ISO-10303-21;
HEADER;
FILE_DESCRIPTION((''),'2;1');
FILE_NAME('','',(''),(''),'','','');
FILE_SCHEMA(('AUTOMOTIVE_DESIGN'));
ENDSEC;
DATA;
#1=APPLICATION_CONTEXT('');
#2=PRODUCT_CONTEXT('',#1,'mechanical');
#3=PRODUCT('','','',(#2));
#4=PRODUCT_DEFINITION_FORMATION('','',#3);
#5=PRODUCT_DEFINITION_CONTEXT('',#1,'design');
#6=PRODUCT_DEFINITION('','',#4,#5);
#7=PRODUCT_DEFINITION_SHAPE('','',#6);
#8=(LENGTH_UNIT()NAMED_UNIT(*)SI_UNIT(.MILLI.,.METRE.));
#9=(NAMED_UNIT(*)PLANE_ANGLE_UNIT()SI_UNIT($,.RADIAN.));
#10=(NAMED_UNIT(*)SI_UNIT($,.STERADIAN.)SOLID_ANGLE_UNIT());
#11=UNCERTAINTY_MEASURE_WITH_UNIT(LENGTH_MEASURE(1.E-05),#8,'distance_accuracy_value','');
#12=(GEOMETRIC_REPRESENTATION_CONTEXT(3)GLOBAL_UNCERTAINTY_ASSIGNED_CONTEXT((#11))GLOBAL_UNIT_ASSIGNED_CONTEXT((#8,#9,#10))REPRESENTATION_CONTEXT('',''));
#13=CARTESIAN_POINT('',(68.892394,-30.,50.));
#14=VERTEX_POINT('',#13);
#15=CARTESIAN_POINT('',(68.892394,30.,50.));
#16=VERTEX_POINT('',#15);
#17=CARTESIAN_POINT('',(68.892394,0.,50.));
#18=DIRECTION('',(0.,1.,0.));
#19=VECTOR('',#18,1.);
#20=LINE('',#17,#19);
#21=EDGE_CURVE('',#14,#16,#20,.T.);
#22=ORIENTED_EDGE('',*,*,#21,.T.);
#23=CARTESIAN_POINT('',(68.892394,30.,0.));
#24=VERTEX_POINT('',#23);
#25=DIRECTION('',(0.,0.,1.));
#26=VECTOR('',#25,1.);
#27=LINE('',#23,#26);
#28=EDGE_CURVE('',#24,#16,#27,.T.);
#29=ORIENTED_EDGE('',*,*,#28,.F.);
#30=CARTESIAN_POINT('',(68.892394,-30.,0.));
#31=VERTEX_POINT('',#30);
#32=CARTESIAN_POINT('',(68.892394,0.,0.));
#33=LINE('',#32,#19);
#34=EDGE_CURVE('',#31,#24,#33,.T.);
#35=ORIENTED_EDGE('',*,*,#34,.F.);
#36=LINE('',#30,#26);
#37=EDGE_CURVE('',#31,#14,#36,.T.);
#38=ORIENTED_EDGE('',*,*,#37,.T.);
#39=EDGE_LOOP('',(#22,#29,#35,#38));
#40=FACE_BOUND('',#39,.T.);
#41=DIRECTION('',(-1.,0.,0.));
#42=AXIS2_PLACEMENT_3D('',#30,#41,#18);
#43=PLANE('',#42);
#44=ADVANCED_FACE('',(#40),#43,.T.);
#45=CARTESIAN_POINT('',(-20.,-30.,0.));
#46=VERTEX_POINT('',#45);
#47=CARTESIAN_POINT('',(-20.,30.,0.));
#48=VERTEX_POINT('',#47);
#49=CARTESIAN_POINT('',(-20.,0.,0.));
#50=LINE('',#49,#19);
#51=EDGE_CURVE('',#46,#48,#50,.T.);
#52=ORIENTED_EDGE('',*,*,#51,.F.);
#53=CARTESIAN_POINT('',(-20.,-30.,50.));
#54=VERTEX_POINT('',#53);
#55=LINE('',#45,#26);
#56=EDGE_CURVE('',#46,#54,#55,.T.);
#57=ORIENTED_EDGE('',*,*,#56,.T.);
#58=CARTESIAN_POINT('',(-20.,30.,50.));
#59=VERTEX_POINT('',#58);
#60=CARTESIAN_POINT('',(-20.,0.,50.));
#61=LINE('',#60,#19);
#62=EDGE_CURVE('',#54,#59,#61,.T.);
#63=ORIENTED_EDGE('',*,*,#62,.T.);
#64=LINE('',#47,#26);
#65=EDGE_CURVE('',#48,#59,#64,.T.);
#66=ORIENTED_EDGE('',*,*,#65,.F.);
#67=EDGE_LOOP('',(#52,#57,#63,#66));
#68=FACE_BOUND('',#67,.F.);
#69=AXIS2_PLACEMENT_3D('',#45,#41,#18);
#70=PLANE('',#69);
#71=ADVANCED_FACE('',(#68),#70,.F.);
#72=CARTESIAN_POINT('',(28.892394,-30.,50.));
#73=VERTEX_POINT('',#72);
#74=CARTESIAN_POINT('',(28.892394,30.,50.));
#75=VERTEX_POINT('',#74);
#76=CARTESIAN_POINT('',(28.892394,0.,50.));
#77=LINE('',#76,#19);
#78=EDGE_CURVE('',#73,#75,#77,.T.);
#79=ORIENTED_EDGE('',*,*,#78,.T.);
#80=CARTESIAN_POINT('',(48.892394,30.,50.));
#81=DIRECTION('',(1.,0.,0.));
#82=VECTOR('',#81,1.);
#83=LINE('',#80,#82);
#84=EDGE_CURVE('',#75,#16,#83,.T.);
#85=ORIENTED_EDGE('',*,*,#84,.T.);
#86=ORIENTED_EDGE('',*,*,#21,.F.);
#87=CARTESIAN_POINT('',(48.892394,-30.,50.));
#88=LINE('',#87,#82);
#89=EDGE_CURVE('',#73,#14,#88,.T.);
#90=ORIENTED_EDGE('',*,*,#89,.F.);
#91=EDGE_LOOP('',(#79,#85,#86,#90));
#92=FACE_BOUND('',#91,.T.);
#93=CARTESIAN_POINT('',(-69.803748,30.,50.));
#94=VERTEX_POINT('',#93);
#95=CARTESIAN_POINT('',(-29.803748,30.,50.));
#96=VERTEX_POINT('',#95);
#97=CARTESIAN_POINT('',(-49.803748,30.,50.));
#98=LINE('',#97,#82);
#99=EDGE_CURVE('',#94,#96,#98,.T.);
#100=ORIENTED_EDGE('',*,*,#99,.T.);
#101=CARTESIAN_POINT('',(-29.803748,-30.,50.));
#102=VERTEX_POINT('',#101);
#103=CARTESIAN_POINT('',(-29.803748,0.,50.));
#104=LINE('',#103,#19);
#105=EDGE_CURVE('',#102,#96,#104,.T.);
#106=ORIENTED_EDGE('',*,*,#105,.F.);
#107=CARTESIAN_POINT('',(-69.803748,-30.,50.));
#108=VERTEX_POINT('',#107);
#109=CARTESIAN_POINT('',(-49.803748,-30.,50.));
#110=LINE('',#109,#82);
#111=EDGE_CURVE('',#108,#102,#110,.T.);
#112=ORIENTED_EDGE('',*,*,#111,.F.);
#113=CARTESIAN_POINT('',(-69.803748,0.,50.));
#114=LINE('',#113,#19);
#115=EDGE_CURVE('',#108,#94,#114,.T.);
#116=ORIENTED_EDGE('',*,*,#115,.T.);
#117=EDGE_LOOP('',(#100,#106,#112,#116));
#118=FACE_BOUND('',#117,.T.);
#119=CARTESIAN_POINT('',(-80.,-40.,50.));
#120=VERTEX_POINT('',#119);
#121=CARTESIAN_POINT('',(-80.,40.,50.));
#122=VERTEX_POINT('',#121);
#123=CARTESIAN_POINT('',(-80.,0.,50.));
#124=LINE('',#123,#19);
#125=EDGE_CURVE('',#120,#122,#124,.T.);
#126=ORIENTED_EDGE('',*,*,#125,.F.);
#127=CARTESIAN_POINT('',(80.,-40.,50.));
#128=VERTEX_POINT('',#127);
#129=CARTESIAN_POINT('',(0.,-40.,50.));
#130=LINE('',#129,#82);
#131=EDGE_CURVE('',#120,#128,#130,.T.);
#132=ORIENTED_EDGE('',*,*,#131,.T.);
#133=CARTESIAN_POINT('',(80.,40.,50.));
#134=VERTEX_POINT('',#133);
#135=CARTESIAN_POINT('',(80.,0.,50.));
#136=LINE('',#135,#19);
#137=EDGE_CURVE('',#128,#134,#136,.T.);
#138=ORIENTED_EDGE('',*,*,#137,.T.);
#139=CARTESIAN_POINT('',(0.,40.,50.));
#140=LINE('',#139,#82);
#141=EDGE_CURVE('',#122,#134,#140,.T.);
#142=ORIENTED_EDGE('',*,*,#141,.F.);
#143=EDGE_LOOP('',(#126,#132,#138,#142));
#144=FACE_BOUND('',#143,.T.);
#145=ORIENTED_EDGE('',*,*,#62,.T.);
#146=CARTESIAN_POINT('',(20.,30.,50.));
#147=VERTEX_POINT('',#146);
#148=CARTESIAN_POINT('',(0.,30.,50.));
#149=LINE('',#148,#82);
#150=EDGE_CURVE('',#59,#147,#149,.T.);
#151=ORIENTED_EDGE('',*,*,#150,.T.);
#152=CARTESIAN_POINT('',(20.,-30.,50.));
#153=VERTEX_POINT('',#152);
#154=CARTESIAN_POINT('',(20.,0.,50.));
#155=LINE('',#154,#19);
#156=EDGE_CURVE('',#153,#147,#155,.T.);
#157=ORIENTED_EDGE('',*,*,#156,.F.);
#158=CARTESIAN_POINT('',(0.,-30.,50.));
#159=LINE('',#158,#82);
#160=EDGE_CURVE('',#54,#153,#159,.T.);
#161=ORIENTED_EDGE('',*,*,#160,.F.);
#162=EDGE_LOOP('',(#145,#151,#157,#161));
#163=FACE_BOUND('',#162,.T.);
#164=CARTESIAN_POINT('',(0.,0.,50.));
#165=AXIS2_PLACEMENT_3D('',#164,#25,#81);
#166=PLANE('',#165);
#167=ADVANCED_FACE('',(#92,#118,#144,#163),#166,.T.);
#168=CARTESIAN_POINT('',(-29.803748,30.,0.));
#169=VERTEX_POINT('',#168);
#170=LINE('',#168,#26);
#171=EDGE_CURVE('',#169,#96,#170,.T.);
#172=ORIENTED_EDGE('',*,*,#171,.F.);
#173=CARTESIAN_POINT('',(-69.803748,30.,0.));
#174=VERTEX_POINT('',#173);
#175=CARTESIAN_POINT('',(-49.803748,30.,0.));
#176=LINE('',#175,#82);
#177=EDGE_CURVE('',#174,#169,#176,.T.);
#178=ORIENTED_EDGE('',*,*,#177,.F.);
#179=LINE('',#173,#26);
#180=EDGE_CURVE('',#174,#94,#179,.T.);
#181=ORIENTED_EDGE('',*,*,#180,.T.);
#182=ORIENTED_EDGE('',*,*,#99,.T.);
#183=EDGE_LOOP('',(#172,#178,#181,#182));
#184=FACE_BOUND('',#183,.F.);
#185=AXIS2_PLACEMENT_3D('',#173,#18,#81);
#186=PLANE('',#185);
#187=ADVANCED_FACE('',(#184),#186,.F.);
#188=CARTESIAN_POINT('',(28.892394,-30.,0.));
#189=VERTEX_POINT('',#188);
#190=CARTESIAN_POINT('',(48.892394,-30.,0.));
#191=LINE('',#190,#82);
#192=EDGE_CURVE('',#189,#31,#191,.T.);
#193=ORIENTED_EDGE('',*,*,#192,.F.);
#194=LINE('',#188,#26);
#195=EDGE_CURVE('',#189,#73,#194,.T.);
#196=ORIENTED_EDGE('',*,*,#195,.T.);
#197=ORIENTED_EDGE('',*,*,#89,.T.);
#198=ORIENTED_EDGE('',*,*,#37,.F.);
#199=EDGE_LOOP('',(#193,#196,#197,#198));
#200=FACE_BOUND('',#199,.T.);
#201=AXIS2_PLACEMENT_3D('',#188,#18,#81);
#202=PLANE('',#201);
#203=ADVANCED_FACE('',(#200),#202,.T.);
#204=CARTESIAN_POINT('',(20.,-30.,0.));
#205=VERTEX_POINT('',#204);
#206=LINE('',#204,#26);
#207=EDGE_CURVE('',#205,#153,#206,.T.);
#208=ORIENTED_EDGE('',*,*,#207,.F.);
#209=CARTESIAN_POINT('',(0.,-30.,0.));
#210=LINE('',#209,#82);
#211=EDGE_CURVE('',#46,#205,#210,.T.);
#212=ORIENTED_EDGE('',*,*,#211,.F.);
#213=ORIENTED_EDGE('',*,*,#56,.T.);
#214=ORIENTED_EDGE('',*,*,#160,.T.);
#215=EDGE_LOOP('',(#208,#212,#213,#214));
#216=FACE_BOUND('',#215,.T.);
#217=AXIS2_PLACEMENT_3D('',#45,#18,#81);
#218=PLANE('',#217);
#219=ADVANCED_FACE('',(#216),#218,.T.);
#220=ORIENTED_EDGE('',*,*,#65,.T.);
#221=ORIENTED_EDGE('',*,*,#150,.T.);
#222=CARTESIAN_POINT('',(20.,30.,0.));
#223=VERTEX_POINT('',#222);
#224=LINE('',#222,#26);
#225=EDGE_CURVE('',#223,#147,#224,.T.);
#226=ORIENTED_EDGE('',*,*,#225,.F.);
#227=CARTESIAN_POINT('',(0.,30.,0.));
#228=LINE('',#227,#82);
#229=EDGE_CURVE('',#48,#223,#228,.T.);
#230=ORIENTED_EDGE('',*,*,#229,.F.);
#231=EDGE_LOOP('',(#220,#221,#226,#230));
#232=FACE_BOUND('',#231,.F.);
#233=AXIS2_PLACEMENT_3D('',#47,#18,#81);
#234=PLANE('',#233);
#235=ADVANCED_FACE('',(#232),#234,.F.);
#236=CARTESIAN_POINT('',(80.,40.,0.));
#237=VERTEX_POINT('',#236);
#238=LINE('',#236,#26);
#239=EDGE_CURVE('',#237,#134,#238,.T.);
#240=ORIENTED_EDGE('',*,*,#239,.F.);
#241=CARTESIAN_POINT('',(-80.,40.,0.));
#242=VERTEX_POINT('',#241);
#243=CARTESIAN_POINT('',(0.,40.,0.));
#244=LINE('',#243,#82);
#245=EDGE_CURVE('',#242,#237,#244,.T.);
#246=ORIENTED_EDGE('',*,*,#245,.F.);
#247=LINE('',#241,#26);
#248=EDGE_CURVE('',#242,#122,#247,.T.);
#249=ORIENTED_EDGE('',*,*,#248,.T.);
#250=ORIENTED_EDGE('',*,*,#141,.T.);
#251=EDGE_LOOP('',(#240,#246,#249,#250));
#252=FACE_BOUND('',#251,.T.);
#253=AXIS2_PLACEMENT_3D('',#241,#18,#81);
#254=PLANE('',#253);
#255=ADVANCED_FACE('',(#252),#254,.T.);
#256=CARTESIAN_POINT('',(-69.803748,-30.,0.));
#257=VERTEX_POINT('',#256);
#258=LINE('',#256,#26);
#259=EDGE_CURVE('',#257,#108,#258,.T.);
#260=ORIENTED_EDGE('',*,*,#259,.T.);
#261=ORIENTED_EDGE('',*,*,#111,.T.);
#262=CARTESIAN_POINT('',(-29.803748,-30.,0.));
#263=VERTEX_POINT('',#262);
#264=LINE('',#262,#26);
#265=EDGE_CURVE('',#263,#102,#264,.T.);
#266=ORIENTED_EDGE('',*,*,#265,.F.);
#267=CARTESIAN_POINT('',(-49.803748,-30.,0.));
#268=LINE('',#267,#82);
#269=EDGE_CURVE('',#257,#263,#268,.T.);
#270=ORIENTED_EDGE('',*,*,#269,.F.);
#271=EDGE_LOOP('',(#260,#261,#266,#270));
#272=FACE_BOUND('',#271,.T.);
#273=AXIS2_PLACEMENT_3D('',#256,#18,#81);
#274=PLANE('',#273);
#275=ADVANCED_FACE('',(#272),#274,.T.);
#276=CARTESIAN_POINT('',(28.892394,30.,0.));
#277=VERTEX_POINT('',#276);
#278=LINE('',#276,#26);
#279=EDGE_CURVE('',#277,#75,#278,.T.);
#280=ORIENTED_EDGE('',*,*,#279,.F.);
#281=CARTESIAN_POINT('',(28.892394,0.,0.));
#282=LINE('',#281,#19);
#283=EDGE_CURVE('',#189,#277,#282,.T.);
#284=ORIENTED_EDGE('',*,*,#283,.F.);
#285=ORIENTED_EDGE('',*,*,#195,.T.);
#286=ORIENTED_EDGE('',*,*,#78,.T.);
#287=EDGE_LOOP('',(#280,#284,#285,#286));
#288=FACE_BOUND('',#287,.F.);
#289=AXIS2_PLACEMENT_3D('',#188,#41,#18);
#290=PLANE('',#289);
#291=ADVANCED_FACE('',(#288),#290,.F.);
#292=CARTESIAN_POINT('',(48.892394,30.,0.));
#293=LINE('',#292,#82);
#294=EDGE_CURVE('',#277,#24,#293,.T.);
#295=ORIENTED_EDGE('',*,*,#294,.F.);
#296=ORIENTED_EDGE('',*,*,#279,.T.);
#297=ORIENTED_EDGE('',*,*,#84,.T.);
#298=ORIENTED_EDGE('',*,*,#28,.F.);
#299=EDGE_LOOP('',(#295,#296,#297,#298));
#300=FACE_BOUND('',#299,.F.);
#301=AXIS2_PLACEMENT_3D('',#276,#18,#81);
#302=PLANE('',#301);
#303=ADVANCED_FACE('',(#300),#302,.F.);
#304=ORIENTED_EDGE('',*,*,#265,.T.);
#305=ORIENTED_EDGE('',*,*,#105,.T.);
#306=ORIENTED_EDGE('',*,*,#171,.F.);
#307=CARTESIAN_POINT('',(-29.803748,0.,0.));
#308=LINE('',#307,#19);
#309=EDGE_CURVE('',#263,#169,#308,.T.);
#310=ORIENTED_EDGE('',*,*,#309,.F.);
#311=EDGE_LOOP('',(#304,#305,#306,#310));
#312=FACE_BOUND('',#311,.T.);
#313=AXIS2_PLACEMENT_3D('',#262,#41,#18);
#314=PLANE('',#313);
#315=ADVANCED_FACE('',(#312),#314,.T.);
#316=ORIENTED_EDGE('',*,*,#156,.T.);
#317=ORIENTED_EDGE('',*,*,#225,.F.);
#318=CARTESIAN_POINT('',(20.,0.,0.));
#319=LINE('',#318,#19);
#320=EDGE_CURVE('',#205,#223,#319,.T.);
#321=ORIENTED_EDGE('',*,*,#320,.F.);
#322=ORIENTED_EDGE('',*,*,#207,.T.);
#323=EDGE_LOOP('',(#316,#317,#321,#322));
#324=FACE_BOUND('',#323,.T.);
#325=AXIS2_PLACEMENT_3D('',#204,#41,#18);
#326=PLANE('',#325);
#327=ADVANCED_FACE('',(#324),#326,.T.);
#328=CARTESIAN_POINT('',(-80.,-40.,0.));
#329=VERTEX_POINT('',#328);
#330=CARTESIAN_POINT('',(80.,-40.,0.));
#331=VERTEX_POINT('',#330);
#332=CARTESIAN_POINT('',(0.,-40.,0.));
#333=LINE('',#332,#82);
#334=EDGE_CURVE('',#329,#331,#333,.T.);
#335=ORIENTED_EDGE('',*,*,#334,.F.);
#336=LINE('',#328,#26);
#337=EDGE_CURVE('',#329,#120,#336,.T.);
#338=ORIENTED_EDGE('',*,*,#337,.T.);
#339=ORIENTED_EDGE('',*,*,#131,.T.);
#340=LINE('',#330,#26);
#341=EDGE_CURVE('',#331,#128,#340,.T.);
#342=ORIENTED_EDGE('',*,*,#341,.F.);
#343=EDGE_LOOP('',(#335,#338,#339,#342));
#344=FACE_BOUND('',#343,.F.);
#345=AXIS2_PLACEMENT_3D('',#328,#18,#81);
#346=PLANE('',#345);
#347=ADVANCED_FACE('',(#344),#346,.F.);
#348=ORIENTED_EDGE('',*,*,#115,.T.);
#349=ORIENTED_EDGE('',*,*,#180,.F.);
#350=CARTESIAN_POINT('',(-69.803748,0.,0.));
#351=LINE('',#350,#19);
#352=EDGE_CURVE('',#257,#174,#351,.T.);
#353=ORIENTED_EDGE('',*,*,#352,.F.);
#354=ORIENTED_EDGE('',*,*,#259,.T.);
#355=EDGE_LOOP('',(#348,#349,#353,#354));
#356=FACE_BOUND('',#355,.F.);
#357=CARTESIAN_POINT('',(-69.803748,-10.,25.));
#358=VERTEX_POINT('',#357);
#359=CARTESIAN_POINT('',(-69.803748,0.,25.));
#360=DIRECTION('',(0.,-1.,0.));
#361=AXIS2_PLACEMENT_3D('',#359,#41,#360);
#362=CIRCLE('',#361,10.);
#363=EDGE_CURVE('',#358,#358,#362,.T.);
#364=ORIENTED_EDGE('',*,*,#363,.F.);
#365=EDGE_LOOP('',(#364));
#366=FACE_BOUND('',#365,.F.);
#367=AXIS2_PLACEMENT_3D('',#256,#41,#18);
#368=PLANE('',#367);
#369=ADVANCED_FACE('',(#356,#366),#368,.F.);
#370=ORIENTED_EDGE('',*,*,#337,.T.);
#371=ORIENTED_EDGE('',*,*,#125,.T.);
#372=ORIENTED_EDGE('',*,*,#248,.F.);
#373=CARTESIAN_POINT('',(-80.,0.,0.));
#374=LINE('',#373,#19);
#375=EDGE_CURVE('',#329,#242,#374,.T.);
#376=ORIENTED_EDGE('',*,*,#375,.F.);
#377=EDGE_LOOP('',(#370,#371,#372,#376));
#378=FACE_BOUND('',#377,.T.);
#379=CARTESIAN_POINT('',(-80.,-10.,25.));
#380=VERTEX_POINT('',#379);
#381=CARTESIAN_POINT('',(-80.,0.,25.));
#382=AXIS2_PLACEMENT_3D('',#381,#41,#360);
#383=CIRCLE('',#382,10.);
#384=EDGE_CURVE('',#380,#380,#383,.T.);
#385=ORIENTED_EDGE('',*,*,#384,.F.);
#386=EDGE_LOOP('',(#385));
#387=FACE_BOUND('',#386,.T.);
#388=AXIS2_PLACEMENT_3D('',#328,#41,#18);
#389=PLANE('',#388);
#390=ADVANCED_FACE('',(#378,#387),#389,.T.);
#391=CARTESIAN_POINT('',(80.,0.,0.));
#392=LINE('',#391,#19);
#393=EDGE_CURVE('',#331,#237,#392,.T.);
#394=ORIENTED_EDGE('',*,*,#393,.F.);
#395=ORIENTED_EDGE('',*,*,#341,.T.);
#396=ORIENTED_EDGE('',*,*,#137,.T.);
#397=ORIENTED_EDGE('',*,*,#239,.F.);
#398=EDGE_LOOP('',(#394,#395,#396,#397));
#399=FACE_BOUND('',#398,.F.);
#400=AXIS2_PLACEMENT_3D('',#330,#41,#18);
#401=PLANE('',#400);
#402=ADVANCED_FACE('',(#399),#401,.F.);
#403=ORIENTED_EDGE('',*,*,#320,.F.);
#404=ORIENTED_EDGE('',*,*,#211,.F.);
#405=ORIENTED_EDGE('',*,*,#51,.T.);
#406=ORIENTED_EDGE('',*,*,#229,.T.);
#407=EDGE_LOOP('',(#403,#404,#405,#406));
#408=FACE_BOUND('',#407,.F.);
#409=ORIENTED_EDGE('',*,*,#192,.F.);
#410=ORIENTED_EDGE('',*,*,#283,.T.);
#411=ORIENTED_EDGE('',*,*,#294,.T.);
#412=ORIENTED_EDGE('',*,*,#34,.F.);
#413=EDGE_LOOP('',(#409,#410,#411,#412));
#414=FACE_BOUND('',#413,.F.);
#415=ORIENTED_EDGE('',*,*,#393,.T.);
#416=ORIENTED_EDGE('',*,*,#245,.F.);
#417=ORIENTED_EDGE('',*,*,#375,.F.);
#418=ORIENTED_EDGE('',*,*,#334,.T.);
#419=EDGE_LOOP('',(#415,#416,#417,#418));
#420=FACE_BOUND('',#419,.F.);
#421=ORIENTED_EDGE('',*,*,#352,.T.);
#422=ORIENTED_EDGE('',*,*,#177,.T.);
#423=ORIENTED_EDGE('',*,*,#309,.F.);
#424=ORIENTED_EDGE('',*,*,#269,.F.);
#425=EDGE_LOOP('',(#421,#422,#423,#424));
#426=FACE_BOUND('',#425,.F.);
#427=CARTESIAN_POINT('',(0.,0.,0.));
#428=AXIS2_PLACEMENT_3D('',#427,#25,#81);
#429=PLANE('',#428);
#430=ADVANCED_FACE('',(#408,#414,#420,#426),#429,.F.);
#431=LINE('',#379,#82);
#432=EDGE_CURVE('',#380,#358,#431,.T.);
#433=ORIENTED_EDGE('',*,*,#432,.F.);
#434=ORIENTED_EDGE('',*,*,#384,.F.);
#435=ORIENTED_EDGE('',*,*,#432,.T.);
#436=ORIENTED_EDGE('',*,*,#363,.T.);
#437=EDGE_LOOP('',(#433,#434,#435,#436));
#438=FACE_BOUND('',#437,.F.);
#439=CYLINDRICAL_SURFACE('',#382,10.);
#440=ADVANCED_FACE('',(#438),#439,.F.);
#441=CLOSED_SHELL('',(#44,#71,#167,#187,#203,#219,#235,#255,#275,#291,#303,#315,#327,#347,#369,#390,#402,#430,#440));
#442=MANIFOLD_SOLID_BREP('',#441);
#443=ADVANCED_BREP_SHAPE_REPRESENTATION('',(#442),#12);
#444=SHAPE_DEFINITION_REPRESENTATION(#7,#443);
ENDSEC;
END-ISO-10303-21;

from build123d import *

# Parameters (mm, degrees)
SKETCH_W     = 160
SKETCH_H     = 80
SKETCH_W_2   = 40
SKETCH_H_2   = 60
PAD_DEPTH    = 50
SKETCH001_R  = 10
POCKET_DEPTH = 11


with BuildPart() as part:
    # Sketch → Pad (new body)
    with BuildSketch(Plane.XY):
        Rectangle(SKETCH_W, SKETCH_H)
        with Locations((-49.803748, 0)):
            Rectangle(SKETCH_W_2, SKETCH_H_2, mode=Mode.SUBTRACT)
        Rectangle(SKETCH_W_2, SKETCH_H_2, mode=Mode.SUBTRACT)
        with Locations((48.892394, 0)):
            Rectangle(SKETCH_W_2, SKETCH_H_2, mode=Mode.SUBTRACT)
    extrude(amount=PAD_DEPTH)

    # Sketch001 (on Face1 of Pad) → Pocket (cut)
    with BuildSketch(Plane(origin=(-80, 0, 0), x_dir=(0, -1, 0), z_dir=(-1, 0, 0))):
        with Locations((0, 25)):
            Circle(SKETCH001_R)
    extrude(amount=-POCKET_DEPTH, mode=Mode.SUBTRACT)


solid = part.part
